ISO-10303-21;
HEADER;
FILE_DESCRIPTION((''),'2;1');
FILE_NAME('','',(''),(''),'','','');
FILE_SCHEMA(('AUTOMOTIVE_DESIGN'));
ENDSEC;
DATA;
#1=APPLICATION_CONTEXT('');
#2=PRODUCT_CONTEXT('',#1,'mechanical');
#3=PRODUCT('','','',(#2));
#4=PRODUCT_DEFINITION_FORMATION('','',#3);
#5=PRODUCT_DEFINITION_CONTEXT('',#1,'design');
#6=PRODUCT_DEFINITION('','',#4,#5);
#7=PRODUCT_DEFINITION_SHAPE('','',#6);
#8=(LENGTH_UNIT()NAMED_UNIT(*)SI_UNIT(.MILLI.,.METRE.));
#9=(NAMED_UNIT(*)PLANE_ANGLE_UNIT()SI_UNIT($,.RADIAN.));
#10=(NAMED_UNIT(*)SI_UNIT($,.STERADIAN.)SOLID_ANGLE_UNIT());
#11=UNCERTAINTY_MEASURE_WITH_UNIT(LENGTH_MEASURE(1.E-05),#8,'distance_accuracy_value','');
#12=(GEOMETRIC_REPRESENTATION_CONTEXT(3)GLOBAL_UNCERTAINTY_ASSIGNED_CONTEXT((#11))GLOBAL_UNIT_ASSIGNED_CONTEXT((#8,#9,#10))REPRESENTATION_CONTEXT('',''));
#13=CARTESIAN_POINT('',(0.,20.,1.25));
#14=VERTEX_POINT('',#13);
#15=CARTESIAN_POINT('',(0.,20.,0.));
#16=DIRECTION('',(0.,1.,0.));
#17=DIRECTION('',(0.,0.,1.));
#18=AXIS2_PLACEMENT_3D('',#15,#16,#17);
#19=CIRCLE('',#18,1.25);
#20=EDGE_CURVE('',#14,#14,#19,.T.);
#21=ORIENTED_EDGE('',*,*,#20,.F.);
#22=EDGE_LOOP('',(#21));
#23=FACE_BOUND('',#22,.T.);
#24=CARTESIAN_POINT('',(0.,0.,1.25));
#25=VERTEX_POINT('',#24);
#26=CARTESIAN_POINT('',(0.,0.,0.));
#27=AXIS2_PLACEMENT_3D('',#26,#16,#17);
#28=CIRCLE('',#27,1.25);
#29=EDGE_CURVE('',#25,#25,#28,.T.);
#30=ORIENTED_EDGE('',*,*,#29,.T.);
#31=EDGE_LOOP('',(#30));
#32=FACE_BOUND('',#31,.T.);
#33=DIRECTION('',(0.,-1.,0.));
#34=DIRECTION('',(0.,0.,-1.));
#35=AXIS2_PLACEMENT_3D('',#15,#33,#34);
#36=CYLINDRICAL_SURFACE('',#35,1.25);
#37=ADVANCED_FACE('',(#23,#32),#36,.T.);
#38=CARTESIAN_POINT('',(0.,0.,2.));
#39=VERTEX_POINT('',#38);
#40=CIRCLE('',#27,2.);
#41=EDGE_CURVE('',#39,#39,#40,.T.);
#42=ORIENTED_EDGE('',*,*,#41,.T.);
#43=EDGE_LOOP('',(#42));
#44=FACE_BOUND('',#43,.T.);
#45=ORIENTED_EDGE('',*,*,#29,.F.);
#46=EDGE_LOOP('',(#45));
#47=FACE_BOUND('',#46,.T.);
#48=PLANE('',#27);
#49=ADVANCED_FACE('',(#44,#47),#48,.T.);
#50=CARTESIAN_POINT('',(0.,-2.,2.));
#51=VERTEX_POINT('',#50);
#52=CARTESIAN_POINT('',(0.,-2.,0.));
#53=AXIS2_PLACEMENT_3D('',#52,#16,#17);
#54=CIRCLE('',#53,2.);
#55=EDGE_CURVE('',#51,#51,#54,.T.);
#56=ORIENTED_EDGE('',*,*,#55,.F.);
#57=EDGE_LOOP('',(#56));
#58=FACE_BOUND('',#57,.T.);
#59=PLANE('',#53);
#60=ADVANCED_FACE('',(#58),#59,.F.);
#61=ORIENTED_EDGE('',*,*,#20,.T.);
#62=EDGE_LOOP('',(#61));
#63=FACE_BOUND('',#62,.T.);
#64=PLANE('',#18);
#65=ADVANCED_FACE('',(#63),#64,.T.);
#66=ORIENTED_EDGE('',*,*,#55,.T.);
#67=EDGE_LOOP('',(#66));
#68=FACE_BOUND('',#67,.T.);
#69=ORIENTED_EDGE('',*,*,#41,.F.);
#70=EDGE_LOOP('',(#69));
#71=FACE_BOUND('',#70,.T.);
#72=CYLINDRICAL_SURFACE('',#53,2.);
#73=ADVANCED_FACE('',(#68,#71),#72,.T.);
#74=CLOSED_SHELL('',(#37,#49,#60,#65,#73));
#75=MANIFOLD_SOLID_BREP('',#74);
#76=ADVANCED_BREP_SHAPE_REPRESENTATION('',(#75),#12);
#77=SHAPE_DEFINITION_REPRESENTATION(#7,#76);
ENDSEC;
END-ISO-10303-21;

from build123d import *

# Parameters (mm, degrees)
SKETCH1_R           = 1.25
BOSS_EXTRUDE1_DEPTH = 20
SKETCH1_4_R         = 2
BOSS_EXTRUDE2_DEPTH = 2


with BuildPart() as part:
    # Sketch1 → Boss-Extrude1 (new body)
    with BuildSketch(Plane(origin=(0, 0, 0), x_dir=(1, 0, 0), z_dir=(0, 1, 0))):
        Circle(SKETCH1_R)
    extrude(amount=BOSS_EXTRUDE1_DEPTH)

    # Sketch1<4> → Boss-Extrude2 (add)
    with BuildSketch(Plane(origin=(0, 0, 0), x_dir=(1, 0, 0), z_dir=(0, 1, 0))):
        Circle(SKETCH1_4_R)
    extrude(amount=-BOSS_EXTRUDE2_DEPTH)


solid = part.part
